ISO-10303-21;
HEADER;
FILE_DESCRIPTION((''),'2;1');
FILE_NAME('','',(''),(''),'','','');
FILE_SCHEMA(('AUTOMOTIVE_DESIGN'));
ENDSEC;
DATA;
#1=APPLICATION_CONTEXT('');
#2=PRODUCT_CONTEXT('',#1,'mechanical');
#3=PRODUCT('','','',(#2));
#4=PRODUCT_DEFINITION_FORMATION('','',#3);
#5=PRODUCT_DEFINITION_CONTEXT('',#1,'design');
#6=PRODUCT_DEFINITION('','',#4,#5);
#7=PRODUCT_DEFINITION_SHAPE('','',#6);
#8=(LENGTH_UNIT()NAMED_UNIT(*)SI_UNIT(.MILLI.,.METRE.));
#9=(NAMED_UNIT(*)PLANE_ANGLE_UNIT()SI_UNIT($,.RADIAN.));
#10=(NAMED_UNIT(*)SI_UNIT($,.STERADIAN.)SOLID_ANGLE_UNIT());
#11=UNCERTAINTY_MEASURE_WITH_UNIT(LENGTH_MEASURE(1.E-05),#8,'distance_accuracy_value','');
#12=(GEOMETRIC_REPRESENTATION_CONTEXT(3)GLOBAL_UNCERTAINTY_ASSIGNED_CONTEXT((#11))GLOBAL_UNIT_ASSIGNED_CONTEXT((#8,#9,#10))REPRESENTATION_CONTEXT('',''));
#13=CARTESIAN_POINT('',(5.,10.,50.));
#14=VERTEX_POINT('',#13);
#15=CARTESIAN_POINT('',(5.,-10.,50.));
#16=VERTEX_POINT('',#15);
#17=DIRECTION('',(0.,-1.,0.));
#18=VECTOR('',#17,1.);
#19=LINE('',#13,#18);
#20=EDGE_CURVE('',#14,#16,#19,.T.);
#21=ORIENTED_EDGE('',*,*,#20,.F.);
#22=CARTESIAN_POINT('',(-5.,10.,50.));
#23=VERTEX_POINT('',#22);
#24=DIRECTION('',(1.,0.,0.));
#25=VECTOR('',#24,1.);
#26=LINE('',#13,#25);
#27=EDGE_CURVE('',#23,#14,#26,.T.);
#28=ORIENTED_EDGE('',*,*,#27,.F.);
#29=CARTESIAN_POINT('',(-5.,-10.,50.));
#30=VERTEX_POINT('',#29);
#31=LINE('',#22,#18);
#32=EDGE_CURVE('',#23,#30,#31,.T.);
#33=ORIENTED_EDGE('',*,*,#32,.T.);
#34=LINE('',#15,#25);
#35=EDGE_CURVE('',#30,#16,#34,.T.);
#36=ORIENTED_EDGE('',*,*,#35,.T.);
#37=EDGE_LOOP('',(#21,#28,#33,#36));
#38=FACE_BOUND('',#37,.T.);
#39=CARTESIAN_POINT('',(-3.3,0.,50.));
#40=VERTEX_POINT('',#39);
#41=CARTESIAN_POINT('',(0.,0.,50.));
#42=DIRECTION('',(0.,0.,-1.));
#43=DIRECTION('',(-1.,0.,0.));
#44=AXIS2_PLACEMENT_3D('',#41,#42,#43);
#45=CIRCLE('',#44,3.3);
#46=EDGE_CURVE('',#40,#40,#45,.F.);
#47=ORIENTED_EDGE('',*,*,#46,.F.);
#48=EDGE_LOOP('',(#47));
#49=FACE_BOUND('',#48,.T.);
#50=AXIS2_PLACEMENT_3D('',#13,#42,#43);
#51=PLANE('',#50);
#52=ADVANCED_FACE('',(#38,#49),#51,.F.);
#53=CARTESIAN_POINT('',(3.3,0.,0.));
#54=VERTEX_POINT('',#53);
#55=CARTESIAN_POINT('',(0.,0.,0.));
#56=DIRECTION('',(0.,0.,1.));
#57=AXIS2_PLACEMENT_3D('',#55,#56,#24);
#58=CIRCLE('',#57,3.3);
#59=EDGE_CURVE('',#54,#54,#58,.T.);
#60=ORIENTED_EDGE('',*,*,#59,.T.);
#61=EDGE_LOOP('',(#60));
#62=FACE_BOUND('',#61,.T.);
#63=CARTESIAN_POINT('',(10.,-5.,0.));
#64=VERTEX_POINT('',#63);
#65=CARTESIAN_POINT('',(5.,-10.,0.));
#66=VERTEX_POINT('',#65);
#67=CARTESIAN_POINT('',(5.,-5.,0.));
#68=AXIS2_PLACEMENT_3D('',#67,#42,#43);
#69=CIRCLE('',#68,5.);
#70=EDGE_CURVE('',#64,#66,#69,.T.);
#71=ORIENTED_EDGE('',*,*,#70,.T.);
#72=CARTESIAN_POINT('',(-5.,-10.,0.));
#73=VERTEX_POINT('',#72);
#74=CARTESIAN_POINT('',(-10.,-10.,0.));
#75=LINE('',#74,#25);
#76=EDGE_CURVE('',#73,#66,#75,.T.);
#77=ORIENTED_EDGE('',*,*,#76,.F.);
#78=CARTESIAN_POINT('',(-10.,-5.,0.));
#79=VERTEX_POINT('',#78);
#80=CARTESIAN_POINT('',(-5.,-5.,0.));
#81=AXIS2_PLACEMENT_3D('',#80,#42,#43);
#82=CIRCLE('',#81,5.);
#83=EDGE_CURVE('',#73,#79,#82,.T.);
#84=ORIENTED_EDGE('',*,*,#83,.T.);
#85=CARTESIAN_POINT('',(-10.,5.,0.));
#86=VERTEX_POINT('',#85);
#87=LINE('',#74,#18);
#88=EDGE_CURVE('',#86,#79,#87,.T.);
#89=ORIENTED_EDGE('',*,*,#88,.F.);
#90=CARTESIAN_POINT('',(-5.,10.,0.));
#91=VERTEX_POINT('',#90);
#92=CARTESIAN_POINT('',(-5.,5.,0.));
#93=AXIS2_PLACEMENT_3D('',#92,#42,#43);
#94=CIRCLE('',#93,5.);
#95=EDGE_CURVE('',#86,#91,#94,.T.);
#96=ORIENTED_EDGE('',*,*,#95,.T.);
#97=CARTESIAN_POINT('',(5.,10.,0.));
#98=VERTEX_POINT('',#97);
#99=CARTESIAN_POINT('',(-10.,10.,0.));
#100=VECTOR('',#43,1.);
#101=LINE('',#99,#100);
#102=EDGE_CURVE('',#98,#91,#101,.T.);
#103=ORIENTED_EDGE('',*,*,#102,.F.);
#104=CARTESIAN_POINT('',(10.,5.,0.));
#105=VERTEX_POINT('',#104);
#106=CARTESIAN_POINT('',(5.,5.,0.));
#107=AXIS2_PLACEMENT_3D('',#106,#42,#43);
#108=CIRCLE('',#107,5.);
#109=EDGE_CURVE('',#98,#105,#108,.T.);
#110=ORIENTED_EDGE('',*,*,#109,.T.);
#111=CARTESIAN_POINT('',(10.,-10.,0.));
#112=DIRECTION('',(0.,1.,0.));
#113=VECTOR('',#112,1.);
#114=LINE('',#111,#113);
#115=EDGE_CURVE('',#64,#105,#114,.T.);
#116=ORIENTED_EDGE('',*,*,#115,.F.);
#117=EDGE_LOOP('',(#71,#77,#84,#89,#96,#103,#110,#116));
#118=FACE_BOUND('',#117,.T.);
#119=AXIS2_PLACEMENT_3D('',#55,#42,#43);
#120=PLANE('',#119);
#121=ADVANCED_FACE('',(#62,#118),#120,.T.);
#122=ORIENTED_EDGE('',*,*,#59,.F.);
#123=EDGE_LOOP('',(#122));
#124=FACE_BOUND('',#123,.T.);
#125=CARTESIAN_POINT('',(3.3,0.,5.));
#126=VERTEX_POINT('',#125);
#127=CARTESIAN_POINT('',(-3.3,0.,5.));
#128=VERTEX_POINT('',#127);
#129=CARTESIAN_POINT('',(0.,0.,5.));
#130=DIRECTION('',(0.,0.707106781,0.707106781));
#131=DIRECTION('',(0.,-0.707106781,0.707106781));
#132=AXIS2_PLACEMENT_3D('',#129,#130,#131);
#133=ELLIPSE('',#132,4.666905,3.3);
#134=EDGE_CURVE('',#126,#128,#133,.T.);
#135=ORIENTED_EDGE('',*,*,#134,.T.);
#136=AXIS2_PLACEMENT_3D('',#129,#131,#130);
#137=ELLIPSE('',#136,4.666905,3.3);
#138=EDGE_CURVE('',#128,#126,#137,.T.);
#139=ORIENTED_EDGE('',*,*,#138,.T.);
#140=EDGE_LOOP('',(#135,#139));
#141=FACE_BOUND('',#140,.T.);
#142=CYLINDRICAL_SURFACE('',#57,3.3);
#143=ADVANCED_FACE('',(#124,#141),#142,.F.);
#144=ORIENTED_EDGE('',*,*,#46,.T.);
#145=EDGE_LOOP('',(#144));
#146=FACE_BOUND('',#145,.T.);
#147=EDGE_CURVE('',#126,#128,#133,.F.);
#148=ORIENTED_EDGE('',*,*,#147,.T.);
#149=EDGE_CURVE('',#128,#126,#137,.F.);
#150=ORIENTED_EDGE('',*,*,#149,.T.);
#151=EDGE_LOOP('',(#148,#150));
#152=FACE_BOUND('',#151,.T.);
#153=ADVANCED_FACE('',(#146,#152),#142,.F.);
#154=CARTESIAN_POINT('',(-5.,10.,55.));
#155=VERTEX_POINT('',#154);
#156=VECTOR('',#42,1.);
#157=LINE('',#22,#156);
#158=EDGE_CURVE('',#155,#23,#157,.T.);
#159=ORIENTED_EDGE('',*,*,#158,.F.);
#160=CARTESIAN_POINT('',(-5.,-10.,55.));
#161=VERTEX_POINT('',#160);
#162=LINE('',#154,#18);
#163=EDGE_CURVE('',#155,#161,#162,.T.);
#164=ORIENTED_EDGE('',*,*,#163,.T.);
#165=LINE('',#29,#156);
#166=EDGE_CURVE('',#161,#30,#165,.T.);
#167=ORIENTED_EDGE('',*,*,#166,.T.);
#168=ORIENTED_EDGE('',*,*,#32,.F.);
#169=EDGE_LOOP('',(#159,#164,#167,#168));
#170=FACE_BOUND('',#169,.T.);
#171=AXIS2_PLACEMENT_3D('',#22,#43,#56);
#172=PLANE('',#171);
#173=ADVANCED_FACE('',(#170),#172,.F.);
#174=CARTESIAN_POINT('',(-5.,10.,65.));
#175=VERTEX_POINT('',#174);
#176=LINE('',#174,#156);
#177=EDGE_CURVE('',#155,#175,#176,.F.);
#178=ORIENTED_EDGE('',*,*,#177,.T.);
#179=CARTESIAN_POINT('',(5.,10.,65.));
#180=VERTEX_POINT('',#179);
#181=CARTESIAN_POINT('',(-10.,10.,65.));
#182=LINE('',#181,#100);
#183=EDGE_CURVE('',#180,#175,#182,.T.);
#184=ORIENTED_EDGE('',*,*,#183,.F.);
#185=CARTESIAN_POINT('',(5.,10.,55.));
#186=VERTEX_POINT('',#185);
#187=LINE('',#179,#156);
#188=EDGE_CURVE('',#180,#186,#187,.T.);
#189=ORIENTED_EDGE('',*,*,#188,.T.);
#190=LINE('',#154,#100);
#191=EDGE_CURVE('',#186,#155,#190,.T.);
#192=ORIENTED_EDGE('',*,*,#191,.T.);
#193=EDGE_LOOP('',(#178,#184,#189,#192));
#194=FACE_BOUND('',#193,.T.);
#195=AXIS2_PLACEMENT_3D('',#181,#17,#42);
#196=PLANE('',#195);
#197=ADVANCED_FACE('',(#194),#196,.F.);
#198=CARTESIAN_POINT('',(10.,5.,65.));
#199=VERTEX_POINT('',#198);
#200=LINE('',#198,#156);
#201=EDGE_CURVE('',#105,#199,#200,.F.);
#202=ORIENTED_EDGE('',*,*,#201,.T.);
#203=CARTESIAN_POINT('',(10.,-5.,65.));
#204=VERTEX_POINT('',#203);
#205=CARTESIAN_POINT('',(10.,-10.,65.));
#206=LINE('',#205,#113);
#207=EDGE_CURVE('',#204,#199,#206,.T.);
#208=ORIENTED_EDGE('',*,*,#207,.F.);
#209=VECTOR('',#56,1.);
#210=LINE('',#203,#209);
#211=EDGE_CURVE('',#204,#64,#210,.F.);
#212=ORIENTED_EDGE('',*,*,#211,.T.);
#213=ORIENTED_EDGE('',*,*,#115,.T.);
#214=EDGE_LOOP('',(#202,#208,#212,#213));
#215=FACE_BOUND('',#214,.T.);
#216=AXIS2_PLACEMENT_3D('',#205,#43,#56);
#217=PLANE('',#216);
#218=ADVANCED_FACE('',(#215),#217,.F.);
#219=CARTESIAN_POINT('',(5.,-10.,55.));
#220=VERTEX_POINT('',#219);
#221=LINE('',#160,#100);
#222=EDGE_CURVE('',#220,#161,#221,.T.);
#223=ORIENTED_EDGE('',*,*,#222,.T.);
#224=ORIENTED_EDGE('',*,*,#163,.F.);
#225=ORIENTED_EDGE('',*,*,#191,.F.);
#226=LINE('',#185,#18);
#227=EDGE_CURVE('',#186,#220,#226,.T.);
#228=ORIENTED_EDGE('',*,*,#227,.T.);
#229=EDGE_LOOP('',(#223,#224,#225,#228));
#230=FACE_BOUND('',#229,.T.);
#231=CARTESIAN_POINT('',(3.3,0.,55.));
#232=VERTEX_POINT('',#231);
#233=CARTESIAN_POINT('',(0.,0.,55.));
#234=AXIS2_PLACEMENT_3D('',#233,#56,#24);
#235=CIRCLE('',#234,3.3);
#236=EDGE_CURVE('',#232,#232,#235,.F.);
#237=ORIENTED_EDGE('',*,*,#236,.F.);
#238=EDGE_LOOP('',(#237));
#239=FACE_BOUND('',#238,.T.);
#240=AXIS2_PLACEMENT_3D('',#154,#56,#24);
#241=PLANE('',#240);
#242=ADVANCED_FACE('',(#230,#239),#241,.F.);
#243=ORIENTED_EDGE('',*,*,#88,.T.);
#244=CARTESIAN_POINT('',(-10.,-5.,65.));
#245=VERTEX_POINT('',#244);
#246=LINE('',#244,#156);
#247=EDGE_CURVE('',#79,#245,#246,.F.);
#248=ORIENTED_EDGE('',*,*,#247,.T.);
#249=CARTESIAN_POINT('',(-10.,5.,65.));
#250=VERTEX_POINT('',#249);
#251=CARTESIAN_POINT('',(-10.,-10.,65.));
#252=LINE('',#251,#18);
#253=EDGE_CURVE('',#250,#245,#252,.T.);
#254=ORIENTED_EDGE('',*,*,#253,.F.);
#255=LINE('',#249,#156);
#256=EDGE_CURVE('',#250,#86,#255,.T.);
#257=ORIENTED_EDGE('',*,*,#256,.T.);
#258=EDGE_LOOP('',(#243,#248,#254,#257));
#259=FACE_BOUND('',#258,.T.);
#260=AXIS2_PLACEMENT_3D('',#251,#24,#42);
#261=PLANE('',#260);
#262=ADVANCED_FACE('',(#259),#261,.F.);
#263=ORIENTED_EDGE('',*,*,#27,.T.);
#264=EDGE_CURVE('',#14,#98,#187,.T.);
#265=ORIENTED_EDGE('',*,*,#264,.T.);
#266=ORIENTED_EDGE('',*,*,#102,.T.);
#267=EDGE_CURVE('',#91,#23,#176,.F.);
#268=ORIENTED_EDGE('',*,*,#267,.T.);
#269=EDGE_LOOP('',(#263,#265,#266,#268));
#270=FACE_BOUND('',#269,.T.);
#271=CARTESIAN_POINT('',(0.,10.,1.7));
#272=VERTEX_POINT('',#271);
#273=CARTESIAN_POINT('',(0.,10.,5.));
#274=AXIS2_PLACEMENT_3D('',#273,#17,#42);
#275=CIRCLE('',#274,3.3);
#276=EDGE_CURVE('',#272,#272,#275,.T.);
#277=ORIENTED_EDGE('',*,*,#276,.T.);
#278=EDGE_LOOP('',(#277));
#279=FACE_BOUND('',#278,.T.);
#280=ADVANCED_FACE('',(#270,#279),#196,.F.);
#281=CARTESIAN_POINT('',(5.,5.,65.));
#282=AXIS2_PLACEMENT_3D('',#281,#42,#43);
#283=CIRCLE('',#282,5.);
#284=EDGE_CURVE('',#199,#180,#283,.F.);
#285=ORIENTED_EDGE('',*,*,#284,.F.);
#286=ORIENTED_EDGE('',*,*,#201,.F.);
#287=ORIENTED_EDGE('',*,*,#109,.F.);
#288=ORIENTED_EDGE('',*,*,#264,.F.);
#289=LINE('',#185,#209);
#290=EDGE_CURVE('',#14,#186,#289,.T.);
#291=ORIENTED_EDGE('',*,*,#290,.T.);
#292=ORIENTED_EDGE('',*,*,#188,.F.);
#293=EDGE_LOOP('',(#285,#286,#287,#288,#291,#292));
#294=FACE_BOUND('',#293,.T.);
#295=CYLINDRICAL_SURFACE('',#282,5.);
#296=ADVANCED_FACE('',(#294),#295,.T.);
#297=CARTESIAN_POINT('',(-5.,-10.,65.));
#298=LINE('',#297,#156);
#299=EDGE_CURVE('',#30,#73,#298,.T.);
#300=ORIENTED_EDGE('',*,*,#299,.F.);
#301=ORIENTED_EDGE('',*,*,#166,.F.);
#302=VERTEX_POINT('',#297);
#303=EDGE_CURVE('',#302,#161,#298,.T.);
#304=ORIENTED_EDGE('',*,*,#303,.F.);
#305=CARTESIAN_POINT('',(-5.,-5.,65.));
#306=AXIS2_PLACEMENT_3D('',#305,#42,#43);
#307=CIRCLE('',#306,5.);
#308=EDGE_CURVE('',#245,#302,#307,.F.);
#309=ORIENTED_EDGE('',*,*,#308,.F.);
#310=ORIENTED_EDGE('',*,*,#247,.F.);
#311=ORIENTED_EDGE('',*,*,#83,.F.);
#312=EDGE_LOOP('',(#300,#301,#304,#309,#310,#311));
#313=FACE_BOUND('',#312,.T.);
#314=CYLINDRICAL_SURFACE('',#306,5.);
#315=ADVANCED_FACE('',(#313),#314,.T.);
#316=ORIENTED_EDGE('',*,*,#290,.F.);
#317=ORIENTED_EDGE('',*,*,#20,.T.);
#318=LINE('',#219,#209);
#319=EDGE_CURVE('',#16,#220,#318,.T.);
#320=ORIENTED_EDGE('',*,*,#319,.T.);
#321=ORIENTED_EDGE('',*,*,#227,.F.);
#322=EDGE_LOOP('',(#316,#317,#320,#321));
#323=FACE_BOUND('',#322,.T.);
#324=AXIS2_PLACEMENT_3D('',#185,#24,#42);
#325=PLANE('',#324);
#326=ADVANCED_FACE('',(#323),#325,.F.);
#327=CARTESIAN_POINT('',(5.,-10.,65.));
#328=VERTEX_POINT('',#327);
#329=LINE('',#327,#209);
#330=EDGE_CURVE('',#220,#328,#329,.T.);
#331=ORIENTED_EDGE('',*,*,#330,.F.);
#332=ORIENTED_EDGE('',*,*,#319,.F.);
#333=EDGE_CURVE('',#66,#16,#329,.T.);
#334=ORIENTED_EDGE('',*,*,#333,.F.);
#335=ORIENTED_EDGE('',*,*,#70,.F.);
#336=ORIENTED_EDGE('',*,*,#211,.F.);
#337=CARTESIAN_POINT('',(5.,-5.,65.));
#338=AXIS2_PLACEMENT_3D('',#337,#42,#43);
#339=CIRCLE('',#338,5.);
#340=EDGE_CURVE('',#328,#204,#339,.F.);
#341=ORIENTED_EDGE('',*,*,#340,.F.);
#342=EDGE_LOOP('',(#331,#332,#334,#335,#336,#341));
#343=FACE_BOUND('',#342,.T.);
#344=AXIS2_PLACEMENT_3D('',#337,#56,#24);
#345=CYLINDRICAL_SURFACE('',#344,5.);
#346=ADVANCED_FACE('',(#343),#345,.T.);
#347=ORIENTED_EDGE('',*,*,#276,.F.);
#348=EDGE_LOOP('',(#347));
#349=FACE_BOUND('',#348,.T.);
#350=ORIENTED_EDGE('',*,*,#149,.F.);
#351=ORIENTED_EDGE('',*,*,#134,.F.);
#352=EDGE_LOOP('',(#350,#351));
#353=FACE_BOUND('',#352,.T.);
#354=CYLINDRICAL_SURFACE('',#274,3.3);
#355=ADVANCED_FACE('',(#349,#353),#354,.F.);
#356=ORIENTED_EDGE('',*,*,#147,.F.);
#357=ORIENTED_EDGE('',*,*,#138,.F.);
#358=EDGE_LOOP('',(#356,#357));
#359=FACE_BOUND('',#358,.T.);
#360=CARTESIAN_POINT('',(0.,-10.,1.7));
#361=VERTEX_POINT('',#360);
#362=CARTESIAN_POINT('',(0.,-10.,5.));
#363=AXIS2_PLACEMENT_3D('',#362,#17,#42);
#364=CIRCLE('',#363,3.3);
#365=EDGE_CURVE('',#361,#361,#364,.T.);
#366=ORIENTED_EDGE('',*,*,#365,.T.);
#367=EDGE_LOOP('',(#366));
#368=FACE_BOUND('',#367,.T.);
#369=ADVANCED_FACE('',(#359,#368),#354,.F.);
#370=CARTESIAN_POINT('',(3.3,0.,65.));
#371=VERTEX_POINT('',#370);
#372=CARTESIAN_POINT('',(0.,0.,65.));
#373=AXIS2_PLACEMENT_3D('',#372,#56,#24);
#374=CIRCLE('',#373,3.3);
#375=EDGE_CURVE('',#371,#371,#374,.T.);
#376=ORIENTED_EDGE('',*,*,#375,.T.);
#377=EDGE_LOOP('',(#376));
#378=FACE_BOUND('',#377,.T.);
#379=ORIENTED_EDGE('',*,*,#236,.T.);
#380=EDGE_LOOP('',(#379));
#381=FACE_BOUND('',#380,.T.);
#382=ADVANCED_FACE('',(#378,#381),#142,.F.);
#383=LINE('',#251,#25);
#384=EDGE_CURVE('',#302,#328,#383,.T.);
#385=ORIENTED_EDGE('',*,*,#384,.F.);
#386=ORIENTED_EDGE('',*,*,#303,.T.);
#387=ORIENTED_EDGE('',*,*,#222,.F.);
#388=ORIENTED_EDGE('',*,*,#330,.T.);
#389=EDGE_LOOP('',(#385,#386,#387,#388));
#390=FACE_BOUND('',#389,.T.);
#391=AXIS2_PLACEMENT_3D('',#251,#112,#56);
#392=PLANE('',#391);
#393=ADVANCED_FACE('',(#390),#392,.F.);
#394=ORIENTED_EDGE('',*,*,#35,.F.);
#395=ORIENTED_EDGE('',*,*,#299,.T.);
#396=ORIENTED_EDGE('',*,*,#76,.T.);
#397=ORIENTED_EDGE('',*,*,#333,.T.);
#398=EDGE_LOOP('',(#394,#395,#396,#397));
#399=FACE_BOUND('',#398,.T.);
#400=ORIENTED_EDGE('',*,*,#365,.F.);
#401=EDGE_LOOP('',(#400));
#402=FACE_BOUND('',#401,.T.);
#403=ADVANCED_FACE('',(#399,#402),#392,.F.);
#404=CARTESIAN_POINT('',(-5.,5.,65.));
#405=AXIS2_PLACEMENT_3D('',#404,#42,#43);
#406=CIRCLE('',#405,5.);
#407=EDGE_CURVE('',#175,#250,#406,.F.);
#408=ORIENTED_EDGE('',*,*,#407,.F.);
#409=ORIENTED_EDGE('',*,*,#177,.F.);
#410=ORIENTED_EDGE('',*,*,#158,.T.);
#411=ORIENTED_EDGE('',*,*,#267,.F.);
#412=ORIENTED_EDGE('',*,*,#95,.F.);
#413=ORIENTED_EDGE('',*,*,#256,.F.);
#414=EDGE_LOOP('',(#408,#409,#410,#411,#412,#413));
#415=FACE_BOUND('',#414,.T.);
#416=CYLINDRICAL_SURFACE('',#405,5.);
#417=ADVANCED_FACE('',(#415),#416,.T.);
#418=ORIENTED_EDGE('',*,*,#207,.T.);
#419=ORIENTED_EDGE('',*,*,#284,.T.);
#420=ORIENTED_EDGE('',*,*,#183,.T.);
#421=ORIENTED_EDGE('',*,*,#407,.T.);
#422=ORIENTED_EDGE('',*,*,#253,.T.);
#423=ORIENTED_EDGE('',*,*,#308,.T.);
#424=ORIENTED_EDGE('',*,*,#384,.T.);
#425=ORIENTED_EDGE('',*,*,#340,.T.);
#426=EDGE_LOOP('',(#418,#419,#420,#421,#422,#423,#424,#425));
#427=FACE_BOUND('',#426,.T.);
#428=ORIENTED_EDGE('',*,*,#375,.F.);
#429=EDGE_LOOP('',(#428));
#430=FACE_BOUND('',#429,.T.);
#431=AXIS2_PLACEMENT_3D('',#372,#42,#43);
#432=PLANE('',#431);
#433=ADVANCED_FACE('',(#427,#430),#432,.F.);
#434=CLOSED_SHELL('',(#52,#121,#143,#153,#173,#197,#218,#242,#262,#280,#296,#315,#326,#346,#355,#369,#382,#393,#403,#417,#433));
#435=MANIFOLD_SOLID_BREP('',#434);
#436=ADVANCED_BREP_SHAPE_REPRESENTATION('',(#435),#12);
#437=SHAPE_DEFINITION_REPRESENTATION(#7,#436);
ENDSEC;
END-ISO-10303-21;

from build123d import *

# Parameters (mm, degrees)
ESBO_O2_W                = 20
ESBO_O2_H                = 20
RESSALTO_EXTRUS_O1_DEPTH = 65
ESBO_O3_R                = 3.3
CORTE_EXTRUS_O1_DEPTH    = 67.520673478
ESBO_O4_R                = 3.3
CORTE_EXTRUS_O2_DEPTH    = 69.738635424
FILETE1_R                = 5
FILETE2_R                = 5
FILETE3_R                = 5
FILETE4_R                = 5
ESBO_O7_W                = 10
ESBO_O7_H                = 5
CORTE_EXTRUS_O3_DEPTH    = 69.738635424


with BuildPart() as part:
    # Esboço2 → Ressalto-extrusão1 (new body)
    with BuildSketch(Plane.XY):
        Rectangle(ESBO_O2_W, ESBO_O2_H)
    extrude(amount=RESSALTO_EXTRUS_O1_DEPTH)

    # Esboço3 → Corte-extrusão1 (cut, through all)
    with BuildSketch(Plane.XY.offset(65)):
        Circle(ESBO_O3_R)
    extrude(amount=-CORTE_EXTRUS_O1_DEPTH, mode=Mode.SUBTRACT)

    # Esboço4 → Corte-extrusão2 (cut, through all)
    with BuildSketch(Plane(origin=(0, -10, 0), x_dir=(-1, 0, 0), z_dir=(0, -1, 0))):
        with Locations(Location((0, -5, 0), (0, 0, 90))):
            Circle(ESBO_O4_R)
    extrude(amount=-CORTE_EXTRUS_O2_DEPTH, mode=Mode.SUBTRACT)

    # Filete1
    filete1_edges = [part.edges().sort_by_distance(p)[0] for p in [
        (10, -10, 32.5),
    ]]
    fillet(filete1_edges, radius=FILETE1_R)

    # Filete2
    filete2_edges = [part.edges().sort_by_distance(p)[0] for p in [
        (10, 10, 32.5),
    ]]
    fillet(filete2_edges, radius=FILETE2_R)

    # Filete3
    filete3_edges = [part.edges().sort_by_distance(p)[0] for p in [
        (-10, 10, 32.5),
    ]]
    fillet(filete3_edges, radius=FILETE3_R)

    # Filete4
    filete4_edges = [part.edges().sort_by_distance(p)[0] for p in [
        (-10, -10, 32.5),
    ]]
    fillet(filete4_edges, radius=FILETE4_R)

    # Esboço7 → Corte-extrusão3 (cut, through all)
    with BuildSketch(Plane(origin=(0, -10, 0), x_dir=(-1, 0, 0), z_dir=(0, -1, 0))):
        with Locations((0, -52.5)):
            Rectangle(ESBO_O7_W, ESBO_O7_H)
    extrude(amount=-CORTE_EXTRUS_O3_DEPTH, mode=Mode.SUBTRACT)


solid = part.part
